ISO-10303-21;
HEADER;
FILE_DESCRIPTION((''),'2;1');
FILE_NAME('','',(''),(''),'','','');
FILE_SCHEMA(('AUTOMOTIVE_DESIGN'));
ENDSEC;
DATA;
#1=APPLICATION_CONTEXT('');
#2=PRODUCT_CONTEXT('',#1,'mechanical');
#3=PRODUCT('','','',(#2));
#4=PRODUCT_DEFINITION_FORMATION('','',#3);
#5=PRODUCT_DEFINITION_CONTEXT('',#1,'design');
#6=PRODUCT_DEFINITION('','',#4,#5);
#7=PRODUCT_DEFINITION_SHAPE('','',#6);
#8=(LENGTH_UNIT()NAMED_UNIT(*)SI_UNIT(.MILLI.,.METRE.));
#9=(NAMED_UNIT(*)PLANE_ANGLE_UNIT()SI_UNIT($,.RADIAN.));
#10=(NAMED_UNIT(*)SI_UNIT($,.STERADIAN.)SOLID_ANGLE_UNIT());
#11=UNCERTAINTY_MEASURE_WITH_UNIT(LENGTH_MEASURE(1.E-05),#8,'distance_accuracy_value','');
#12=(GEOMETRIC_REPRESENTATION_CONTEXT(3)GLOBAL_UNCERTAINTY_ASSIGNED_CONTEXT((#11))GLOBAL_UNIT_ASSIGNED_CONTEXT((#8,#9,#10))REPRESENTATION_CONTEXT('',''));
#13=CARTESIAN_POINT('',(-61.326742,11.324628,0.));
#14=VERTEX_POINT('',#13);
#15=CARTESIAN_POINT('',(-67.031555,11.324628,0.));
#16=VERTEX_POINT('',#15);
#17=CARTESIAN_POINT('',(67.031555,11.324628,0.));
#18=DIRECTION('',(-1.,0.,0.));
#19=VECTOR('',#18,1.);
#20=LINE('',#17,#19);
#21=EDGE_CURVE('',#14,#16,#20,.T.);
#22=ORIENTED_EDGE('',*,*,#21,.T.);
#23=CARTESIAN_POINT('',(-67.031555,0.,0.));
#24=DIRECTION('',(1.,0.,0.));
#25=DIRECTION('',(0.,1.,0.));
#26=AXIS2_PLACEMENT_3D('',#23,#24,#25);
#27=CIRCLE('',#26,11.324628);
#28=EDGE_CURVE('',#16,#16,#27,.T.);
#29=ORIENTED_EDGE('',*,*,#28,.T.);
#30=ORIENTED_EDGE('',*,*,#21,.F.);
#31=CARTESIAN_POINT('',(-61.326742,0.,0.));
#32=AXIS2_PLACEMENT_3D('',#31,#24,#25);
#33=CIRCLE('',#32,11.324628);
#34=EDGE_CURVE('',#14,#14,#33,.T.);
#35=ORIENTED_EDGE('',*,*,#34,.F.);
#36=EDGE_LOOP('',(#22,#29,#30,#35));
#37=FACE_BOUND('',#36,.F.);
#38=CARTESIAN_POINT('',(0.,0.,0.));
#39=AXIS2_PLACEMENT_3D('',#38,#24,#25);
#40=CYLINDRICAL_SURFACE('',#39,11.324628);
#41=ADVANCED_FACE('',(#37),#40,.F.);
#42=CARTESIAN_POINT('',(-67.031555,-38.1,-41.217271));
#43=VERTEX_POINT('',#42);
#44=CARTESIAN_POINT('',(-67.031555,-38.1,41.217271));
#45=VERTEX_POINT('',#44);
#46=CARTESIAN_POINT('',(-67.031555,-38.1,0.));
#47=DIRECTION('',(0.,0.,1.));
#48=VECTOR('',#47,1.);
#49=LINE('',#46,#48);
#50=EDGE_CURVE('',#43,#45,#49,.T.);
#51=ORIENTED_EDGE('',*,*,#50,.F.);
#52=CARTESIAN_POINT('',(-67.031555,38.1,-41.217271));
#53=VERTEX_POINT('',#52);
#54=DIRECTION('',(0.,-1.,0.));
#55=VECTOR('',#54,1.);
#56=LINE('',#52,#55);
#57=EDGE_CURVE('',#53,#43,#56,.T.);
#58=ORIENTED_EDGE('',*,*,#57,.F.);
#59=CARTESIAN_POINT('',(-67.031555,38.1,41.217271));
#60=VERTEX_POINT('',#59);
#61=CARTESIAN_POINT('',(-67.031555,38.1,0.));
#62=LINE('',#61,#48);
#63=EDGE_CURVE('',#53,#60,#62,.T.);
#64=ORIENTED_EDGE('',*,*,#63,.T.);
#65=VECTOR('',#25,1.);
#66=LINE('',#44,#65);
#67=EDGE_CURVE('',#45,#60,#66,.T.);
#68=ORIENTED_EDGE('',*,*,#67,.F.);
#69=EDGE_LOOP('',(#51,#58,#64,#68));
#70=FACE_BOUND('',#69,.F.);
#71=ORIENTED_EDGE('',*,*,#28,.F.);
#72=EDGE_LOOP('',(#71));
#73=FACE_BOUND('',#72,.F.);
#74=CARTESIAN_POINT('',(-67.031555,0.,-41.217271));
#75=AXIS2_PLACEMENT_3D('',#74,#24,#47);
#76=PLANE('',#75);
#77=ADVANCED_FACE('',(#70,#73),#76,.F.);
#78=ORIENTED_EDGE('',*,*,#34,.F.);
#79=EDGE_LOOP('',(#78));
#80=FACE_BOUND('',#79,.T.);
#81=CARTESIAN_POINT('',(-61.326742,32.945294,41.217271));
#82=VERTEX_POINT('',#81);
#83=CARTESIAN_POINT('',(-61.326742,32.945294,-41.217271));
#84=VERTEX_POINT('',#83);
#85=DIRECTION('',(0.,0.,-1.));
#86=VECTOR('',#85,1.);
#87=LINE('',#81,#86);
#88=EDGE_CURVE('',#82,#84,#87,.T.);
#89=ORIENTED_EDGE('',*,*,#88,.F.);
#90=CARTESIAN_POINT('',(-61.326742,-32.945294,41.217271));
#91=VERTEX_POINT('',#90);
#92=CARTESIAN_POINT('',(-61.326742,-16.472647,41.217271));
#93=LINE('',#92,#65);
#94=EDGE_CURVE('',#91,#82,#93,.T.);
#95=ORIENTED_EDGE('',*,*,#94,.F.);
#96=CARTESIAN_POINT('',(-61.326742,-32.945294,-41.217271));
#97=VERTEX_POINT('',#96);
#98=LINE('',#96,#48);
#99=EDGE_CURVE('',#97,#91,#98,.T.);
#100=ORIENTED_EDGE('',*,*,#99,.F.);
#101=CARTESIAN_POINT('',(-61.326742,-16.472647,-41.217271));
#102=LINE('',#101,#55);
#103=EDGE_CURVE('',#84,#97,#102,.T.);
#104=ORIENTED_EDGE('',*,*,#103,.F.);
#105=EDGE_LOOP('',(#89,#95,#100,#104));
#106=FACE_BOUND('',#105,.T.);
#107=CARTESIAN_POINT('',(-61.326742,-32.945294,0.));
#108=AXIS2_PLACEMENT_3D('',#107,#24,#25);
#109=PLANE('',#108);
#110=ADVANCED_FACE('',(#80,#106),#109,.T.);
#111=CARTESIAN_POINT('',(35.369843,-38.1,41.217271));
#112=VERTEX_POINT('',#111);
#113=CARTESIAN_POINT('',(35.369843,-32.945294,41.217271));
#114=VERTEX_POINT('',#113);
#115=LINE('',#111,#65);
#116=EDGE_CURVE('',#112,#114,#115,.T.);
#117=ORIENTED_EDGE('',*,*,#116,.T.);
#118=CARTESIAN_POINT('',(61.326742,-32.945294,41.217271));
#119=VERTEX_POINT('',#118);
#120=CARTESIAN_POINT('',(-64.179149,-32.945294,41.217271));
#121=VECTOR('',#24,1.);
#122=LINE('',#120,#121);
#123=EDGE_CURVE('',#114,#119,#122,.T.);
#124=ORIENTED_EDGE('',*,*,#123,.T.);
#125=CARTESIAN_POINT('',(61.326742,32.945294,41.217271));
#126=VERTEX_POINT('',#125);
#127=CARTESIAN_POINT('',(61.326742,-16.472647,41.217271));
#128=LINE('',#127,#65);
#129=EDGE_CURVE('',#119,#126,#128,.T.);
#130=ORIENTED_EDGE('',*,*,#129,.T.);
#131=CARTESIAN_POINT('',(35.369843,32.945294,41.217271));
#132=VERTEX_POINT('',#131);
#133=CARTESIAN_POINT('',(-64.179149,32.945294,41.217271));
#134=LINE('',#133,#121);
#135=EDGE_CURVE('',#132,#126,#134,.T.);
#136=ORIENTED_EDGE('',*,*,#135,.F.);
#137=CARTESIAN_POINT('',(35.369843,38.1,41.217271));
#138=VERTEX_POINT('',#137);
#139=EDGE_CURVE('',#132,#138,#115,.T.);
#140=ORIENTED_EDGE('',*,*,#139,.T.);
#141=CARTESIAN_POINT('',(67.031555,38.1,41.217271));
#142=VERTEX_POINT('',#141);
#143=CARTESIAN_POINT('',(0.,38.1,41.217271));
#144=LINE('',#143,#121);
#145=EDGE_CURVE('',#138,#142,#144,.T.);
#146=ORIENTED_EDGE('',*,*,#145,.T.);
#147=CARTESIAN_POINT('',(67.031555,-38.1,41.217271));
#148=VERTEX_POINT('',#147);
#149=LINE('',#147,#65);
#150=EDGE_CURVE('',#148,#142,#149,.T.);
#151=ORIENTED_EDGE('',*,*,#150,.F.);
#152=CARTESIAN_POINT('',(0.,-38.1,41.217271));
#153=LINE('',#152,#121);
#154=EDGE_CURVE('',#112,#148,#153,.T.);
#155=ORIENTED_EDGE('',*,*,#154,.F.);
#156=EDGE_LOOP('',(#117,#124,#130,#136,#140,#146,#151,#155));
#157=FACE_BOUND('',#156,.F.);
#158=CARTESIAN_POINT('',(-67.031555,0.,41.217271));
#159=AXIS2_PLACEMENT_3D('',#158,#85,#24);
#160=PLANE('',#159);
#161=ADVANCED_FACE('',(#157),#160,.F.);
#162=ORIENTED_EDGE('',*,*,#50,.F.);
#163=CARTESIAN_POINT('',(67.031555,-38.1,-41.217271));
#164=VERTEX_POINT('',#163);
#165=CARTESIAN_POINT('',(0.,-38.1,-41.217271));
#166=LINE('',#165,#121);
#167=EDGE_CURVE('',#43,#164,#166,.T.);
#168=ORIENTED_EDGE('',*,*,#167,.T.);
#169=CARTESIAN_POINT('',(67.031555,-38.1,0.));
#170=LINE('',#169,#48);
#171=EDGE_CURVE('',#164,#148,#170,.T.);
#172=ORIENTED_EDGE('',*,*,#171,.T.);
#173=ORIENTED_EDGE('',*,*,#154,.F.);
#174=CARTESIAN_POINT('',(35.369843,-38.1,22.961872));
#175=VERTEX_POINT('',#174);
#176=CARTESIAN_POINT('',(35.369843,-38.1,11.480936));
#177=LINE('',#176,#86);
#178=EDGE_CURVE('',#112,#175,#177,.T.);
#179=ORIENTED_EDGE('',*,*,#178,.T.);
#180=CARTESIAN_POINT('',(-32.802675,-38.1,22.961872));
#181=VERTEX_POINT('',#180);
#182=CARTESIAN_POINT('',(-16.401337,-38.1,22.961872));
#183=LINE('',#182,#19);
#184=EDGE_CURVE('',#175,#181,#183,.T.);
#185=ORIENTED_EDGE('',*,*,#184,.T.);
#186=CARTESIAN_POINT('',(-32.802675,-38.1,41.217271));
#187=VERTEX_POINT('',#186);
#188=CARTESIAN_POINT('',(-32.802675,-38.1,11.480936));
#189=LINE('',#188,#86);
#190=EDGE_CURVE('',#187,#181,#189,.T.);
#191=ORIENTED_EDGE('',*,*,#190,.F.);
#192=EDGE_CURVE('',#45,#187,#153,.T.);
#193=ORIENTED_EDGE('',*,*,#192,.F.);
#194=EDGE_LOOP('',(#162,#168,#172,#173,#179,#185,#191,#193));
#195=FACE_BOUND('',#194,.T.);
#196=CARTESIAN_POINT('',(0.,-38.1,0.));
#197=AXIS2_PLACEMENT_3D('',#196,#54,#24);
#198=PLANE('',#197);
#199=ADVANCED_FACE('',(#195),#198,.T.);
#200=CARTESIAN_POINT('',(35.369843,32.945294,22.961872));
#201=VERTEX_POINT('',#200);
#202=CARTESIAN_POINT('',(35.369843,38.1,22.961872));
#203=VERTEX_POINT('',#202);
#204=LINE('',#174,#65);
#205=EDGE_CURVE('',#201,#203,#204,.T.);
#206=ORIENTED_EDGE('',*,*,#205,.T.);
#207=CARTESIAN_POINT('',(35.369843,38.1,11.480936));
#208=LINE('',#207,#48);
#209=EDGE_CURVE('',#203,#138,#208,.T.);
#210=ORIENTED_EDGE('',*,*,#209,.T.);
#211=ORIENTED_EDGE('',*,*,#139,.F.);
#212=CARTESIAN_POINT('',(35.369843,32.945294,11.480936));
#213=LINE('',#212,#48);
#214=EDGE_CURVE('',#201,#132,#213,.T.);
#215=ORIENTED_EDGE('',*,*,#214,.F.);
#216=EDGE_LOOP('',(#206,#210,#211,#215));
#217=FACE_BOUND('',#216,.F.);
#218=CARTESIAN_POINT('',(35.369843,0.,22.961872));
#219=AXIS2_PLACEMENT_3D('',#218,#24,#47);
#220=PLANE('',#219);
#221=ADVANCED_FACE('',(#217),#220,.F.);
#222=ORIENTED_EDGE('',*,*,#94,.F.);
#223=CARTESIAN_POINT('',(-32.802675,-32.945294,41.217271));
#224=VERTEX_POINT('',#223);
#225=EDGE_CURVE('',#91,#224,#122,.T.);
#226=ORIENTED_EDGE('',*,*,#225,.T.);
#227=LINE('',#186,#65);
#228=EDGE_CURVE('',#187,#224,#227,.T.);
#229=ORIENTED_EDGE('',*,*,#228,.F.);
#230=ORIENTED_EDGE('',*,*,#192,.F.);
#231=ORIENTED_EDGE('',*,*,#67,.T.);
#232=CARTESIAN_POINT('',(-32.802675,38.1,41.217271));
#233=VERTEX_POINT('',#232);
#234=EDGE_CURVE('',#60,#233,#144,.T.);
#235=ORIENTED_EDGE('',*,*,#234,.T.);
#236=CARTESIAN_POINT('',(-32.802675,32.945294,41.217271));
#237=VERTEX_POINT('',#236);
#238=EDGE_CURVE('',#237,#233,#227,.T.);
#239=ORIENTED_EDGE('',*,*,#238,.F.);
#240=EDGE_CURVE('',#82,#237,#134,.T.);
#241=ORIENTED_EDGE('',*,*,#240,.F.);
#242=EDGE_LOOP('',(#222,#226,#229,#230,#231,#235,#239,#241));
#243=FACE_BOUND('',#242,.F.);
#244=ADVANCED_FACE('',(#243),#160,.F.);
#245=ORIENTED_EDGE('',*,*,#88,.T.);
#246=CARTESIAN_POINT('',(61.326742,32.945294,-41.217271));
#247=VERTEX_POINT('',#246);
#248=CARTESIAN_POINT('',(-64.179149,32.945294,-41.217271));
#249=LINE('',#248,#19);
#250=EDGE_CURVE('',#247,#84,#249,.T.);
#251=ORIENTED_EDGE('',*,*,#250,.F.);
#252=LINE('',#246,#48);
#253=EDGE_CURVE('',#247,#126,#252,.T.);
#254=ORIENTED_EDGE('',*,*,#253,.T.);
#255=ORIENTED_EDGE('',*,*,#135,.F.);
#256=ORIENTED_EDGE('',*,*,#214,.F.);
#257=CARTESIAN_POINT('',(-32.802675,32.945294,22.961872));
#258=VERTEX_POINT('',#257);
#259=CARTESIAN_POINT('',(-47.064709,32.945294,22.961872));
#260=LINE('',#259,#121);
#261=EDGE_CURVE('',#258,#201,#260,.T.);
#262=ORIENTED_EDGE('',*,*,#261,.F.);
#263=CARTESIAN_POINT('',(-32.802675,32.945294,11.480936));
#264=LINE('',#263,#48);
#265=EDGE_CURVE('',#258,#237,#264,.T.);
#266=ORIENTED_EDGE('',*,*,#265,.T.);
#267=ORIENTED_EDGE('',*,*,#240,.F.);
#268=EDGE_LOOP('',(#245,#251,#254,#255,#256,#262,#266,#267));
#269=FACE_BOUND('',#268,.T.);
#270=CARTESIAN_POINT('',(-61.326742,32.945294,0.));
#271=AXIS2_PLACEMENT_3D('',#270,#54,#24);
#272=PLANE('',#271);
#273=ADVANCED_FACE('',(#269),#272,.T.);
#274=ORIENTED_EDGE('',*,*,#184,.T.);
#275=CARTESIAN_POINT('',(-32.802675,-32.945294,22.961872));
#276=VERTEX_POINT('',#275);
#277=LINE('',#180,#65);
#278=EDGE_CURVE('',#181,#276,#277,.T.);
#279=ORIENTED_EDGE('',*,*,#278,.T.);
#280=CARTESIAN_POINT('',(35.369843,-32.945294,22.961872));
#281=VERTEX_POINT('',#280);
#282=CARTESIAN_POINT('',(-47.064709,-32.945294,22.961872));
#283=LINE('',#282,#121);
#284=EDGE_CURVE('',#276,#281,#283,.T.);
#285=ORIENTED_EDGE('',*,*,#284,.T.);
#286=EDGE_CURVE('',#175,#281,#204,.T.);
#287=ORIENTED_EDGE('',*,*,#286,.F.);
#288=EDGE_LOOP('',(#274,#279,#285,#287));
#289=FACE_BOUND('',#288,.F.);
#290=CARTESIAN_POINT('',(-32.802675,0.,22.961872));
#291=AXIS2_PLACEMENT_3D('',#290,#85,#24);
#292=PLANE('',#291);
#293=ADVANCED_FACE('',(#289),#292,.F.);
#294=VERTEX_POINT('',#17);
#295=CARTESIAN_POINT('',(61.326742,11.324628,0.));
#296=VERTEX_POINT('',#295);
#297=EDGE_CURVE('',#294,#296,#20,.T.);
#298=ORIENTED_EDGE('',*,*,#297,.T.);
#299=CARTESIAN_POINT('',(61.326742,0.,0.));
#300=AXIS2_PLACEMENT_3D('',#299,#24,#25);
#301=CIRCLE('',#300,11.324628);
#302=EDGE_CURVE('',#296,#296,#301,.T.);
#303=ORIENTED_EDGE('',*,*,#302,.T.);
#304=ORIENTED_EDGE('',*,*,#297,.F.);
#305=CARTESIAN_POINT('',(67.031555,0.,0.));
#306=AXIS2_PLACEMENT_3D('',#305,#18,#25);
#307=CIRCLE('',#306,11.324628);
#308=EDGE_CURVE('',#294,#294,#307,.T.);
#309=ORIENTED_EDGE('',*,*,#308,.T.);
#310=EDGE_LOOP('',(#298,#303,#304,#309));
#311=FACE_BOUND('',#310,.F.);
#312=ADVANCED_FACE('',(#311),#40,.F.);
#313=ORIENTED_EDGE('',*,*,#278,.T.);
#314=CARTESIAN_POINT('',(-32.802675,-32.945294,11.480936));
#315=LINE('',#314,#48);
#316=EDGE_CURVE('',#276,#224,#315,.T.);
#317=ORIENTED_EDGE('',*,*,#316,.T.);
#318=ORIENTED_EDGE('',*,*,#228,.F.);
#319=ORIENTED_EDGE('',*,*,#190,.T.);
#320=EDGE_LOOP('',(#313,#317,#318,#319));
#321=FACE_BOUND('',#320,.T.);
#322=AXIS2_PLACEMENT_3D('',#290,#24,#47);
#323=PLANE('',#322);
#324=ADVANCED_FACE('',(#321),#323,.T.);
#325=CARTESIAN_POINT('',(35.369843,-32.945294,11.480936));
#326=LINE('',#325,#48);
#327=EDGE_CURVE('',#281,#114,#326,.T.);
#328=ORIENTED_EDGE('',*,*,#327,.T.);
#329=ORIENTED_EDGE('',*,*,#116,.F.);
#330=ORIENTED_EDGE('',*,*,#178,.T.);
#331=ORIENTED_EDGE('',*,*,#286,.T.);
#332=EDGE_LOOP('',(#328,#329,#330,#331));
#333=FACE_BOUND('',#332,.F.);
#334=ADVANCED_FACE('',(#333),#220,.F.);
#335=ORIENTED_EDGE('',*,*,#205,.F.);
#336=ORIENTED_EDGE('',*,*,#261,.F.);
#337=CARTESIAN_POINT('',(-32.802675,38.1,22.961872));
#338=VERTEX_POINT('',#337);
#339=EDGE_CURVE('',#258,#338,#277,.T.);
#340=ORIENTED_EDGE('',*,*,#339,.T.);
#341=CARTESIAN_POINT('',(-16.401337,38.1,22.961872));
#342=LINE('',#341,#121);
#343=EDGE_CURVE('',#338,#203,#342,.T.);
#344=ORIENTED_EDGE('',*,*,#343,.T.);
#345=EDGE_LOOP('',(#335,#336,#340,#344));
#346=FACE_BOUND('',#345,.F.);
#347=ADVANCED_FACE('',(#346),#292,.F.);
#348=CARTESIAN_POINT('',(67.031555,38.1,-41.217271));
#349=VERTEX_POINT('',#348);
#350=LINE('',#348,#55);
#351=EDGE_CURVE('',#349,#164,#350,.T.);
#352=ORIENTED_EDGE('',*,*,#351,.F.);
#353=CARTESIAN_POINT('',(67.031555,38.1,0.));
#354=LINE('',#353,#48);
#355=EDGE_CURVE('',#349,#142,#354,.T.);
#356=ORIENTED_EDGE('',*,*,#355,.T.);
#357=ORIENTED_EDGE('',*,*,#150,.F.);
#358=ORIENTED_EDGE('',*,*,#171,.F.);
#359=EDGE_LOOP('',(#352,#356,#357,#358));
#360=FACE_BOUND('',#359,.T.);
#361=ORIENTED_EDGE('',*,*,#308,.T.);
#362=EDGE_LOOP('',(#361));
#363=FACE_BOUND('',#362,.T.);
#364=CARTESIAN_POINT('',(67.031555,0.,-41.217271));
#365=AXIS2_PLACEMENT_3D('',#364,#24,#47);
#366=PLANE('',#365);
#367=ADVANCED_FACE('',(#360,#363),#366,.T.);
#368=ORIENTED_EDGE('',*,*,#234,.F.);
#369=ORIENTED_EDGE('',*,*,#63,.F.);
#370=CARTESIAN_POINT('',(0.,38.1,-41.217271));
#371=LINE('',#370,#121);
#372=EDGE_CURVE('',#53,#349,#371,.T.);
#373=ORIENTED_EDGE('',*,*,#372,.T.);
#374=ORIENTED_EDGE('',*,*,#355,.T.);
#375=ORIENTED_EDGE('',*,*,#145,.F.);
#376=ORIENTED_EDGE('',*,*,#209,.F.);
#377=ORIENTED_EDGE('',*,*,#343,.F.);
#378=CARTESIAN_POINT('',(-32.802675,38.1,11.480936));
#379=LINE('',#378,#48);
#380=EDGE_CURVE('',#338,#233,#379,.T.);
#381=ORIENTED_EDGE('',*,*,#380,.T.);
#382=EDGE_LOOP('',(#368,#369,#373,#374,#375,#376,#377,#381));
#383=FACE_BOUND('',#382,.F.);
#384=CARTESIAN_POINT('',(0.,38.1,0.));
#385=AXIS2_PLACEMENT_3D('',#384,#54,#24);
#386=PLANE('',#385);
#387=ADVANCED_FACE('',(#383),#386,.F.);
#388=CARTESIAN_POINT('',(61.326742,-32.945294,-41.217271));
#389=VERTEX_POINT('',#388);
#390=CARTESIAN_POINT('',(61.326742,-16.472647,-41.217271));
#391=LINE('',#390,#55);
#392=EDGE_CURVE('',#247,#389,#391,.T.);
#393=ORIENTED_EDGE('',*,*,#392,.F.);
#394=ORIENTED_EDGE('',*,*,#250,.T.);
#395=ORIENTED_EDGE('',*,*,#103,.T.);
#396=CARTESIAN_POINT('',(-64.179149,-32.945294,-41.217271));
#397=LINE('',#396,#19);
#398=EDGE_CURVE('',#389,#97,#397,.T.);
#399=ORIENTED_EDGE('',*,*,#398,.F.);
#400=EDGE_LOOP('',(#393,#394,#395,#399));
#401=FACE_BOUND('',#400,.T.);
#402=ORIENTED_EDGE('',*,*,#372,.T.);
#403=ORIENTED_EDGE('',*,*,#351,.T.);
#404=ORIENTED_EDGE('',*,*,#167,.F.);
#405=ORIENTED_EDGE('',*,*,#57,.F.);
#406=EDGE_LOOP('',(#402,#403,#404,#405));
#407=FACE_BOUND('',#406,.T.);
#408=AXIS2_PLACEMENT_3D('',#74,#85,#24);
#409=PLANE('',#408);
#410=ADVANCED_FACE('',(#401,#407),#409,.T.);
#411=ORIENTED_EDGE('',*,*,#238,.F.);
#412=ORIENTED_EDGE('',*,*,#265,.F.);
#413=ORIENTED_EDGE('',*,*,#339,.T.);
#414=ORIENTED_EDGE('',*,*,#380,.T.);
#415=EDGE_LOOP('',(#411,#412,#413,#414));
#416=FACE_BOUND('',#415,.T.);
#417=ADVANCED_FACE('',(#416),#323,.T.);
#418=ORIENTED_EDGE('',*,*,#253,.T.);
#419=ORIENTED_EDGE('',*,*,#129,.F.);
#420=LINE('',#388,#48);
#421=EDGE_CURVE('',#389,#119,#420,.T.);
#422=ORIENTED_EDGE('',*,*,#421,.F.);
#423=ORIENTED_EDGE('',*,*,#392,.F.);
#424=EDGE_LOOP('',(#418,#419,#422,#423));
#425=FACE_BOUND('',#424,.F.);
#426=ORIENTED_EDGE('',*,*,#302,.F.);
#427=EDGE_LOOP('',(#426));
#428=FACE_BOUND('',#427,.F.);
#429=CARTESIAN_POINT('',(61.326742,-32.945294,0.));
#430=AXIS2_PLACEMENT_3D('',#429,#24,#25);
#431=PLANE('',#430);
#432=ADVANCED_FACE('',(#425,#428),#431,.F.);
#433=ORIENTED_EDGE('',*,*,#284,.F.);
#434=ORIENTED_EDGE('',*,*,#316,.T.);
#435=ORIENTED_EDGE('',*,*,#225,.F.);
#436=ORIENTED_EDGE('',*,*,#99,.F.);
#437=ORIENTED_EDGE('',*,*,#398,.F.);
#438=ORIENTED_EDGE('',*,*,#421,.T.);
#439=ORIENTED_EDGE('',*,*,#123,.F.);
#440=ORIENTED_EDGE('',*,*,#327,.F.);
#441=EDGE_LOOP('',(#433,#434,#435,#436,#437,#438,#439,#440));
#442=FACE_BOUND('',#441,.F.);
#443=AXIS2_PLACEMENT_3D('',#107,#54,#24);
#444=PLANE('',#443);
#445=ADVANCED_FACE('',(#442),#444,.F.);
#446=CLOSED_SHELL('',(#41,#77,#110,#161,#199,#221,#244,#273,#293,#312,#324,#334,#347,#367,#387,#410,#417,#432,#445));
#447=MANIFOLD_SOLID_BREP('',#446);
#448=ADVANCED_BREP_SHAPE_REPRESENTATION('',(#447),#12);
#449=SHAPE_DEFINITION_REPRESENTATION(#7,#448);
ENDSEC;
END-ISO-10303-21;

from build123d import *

# Parameters (mm, degrees)
F0_W          = 134.0631097555
F0_H          = 82.4345424771
F1_DEPTH      = 38.1
F1_DEPTH_BACK = 38.1
F2_R          = 11.3246281271
F3_DEPTH      = 93.726
F3_DEPTH_BACK = 71.374
F4_W          = 68.1725181639
F4_H          = 33.9436363429
F5_DEPTH      = 44.958
F5_DEPTH_BACK = 59.69
F6_W          = 122.6534843445
F6_H          = 65.8905878663
F7_DEPTH      = 79.756
F7_DEPTH_BACK = 65.786


with BuildPart() as f1:
    # F0 (on Front) → F1 (new body, two sides)
    with BuildSketch(Plane.XZ) as f1_sk:
        Rectangle(F0_W, F0_H)
    extrude(amount=F1_DEPTH)
    extrude(f1_sk.sketch, amount=-F1_DEPTH_BACK)

    # F2 (on Right) → F3 (cut, two sides)
    with BuildSketch(Plane.YZ) as f3_sk:
        Circle(F2_R)
    extrude(amount=F3_DEPTH, mode=Mode.SUBTRACT)
    extrude(f3_sk.sketch, amount=-F3_DEPTH_BACK, mode=Mode.SUBTRACT)

    # F4 (on Front) → F5 (cut, two sides)
    with BuildSketch(Plane.XZ) as f5_sk:
        with Locations((1.2835841626, 39.9336898699)):
            Rectangle(F4_W, F4_H)
    extrude(amount=-F5_DEPTH, mode=Mode.SUBTRACT)
    extrude(f5_sk.sketch, amount=F5_DEPTH_BACK, mode=Mode.SUBTRACT)

    # F6 (on Top) → F7 (cut, two sides)
    with BuildSketch(Plane.XY) as f7_sk:
        Rectangle(F6_W, F6_H)
    extrude(amount=-F7_DEPTH, mode=Mode.SUBTRACT)
    extrude(f7_sk.sketch, amount=F7_DEPTH_BACK, mode=Mode.SUBTRACT)


solid = f1.part
